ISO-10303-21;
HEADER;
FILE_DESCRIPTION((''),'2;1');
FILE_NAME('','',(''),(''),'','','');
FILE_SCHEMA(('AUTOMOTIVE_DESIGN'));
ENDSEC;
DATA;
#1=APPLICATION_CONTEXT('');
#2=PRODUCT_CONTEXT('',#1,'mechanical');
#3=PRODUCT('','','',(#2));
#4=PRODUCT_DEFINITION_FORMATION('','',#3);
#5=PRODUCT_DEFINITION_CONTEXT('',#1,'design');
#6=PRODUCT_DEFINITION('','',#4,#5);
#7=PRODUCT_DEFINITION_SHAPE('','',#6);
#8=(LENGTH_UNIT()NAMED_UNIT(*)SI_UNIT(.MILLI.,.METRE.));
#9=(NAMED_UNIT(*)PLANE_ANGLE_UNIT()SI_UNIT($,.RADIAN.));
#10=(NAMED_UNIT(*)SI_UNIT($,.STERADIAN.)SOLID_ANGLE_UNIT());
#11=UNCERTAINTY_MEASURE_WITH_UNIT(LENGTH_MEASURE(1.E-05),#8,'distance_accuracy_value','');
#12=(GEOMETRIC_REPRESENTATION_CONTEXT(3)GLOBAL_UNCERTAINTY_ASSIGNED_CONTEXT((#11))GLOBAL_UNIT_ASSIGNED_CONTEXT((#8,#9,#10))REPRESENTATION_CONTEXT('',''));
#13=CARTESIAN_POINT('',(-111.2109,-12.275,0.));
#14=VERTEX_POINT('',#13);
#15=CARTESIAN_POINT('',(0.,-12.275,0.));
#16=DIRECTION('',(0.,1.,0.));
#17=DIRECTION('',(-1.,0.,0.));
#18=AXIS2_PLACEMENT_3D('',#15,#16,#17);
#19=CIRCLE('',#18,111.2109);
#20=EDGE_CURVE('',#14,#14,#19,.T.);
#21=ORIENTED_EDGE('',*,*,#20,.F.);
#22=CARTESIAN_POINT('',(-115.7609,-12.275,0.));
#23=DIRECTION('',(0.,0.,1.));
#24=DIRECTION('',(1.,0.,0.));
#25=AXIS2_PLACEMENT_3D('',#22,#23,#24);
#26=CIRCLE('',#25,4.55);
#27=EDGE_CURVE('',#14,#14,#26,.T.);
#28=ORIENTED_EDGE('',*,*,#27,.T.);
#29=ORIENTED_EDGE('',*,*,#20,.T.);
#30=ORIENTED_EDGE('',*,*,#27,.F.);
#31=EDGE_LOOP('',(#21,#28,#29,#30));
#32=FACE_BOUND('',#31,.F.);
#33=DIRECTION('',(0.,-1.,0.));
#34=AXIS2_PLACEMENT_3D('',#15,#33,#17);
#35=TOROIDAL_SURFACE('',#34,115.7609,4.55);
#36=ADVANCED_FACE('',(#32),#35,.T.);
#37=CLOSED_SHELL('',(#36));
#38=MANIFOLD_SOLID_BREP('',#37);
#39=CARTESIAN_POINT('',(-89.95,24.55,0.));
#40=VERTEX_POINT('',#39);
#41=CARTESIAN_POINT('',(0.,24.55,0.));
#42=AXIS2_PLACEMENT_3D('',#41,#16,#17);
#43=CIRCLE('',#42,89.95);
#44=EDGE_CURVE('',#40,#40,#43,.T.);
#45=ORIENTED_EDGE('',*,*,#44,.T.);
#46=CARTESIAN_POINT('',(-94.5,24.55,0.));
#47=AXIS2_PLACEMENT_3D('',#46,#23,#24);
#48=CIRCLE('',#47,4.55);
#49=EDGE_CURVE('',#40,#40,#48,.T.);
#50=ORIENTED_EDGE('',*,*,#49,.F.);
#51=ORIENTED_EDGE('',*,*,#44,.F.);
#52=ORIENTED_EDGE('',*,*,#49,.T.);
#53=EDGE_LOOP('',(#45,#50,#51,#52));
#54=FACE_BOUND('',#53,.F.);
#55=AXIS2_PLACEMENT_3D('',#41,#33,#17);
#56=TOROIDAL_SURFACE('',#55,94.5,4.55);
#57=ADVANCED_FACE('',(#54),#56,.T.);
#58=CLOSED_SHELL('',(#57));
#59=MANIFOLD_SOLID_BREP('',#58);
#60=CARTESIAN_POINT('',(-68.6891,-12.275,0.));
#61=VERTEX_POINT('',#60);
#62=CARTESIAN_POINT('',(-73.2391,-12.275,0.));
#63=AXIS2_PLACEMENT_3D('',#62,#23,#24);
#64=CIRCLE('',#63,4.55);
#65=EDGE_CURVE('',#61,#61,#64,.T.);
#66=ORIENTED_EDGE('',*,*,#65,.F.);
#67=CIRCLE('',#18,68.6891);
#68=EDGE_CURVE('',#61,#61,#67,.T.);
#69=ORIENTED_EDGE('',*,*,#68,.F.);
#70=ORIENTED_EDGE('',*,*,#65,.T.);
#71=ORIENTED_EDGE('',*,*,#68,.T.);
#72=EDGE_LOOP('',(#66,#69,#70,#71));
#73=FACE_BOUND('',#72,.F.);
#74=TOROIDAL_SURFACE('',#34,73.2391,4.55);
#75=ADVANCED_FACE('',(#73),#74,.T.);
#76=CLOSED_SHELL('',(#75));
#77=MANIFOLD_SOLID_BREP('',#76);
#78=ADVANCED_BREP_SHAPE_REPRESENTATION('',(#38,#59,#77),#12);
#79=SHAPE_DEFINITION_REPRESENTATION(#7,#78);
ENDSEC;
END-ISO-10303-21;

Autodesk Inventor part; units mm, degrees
ref_plane "YZ Plane" through (0, 0, 0) normal (1, 0, 0) x (0, 1, 0)
ref_plane "XZ Plane" through (0, 0, 0) normal (0, 1, 0) x (-1, 0, 0)
ref_plane "XY Plane" through (0, 0, 0) normal (0, 0, 1) x (1, 0, 0)
sketch "Эскиз1" plane through (0, 0, 0) normal (0, 0, 1) x (1, 0, 0)
  circle A0 centre (-94.5, 24.55) radius 4.55
  circle A1 centre (-115.7609, -12.275) radius 4.55
  circle A2 centre (-73.2391, -12.275) radius 4.55
  line L0 (0, 0) -> (0, 43.5708)
  circle A3 centre (-94.5, 0) radius 20 construction
  line L1 (-94.5, 0) -> (-94.5, 24.55) construction
  dimension "d1" = 9.1
  dimension "d10" = 360
  dimension "d14" = 40
  dimension "d15" = 94.5
revolve "Вращение1" add sketch "Эскиз1" angle 360 about axis through (0, 0, 0) along (0, 1, 0)
properties part number "трубочки_мозговорота"
